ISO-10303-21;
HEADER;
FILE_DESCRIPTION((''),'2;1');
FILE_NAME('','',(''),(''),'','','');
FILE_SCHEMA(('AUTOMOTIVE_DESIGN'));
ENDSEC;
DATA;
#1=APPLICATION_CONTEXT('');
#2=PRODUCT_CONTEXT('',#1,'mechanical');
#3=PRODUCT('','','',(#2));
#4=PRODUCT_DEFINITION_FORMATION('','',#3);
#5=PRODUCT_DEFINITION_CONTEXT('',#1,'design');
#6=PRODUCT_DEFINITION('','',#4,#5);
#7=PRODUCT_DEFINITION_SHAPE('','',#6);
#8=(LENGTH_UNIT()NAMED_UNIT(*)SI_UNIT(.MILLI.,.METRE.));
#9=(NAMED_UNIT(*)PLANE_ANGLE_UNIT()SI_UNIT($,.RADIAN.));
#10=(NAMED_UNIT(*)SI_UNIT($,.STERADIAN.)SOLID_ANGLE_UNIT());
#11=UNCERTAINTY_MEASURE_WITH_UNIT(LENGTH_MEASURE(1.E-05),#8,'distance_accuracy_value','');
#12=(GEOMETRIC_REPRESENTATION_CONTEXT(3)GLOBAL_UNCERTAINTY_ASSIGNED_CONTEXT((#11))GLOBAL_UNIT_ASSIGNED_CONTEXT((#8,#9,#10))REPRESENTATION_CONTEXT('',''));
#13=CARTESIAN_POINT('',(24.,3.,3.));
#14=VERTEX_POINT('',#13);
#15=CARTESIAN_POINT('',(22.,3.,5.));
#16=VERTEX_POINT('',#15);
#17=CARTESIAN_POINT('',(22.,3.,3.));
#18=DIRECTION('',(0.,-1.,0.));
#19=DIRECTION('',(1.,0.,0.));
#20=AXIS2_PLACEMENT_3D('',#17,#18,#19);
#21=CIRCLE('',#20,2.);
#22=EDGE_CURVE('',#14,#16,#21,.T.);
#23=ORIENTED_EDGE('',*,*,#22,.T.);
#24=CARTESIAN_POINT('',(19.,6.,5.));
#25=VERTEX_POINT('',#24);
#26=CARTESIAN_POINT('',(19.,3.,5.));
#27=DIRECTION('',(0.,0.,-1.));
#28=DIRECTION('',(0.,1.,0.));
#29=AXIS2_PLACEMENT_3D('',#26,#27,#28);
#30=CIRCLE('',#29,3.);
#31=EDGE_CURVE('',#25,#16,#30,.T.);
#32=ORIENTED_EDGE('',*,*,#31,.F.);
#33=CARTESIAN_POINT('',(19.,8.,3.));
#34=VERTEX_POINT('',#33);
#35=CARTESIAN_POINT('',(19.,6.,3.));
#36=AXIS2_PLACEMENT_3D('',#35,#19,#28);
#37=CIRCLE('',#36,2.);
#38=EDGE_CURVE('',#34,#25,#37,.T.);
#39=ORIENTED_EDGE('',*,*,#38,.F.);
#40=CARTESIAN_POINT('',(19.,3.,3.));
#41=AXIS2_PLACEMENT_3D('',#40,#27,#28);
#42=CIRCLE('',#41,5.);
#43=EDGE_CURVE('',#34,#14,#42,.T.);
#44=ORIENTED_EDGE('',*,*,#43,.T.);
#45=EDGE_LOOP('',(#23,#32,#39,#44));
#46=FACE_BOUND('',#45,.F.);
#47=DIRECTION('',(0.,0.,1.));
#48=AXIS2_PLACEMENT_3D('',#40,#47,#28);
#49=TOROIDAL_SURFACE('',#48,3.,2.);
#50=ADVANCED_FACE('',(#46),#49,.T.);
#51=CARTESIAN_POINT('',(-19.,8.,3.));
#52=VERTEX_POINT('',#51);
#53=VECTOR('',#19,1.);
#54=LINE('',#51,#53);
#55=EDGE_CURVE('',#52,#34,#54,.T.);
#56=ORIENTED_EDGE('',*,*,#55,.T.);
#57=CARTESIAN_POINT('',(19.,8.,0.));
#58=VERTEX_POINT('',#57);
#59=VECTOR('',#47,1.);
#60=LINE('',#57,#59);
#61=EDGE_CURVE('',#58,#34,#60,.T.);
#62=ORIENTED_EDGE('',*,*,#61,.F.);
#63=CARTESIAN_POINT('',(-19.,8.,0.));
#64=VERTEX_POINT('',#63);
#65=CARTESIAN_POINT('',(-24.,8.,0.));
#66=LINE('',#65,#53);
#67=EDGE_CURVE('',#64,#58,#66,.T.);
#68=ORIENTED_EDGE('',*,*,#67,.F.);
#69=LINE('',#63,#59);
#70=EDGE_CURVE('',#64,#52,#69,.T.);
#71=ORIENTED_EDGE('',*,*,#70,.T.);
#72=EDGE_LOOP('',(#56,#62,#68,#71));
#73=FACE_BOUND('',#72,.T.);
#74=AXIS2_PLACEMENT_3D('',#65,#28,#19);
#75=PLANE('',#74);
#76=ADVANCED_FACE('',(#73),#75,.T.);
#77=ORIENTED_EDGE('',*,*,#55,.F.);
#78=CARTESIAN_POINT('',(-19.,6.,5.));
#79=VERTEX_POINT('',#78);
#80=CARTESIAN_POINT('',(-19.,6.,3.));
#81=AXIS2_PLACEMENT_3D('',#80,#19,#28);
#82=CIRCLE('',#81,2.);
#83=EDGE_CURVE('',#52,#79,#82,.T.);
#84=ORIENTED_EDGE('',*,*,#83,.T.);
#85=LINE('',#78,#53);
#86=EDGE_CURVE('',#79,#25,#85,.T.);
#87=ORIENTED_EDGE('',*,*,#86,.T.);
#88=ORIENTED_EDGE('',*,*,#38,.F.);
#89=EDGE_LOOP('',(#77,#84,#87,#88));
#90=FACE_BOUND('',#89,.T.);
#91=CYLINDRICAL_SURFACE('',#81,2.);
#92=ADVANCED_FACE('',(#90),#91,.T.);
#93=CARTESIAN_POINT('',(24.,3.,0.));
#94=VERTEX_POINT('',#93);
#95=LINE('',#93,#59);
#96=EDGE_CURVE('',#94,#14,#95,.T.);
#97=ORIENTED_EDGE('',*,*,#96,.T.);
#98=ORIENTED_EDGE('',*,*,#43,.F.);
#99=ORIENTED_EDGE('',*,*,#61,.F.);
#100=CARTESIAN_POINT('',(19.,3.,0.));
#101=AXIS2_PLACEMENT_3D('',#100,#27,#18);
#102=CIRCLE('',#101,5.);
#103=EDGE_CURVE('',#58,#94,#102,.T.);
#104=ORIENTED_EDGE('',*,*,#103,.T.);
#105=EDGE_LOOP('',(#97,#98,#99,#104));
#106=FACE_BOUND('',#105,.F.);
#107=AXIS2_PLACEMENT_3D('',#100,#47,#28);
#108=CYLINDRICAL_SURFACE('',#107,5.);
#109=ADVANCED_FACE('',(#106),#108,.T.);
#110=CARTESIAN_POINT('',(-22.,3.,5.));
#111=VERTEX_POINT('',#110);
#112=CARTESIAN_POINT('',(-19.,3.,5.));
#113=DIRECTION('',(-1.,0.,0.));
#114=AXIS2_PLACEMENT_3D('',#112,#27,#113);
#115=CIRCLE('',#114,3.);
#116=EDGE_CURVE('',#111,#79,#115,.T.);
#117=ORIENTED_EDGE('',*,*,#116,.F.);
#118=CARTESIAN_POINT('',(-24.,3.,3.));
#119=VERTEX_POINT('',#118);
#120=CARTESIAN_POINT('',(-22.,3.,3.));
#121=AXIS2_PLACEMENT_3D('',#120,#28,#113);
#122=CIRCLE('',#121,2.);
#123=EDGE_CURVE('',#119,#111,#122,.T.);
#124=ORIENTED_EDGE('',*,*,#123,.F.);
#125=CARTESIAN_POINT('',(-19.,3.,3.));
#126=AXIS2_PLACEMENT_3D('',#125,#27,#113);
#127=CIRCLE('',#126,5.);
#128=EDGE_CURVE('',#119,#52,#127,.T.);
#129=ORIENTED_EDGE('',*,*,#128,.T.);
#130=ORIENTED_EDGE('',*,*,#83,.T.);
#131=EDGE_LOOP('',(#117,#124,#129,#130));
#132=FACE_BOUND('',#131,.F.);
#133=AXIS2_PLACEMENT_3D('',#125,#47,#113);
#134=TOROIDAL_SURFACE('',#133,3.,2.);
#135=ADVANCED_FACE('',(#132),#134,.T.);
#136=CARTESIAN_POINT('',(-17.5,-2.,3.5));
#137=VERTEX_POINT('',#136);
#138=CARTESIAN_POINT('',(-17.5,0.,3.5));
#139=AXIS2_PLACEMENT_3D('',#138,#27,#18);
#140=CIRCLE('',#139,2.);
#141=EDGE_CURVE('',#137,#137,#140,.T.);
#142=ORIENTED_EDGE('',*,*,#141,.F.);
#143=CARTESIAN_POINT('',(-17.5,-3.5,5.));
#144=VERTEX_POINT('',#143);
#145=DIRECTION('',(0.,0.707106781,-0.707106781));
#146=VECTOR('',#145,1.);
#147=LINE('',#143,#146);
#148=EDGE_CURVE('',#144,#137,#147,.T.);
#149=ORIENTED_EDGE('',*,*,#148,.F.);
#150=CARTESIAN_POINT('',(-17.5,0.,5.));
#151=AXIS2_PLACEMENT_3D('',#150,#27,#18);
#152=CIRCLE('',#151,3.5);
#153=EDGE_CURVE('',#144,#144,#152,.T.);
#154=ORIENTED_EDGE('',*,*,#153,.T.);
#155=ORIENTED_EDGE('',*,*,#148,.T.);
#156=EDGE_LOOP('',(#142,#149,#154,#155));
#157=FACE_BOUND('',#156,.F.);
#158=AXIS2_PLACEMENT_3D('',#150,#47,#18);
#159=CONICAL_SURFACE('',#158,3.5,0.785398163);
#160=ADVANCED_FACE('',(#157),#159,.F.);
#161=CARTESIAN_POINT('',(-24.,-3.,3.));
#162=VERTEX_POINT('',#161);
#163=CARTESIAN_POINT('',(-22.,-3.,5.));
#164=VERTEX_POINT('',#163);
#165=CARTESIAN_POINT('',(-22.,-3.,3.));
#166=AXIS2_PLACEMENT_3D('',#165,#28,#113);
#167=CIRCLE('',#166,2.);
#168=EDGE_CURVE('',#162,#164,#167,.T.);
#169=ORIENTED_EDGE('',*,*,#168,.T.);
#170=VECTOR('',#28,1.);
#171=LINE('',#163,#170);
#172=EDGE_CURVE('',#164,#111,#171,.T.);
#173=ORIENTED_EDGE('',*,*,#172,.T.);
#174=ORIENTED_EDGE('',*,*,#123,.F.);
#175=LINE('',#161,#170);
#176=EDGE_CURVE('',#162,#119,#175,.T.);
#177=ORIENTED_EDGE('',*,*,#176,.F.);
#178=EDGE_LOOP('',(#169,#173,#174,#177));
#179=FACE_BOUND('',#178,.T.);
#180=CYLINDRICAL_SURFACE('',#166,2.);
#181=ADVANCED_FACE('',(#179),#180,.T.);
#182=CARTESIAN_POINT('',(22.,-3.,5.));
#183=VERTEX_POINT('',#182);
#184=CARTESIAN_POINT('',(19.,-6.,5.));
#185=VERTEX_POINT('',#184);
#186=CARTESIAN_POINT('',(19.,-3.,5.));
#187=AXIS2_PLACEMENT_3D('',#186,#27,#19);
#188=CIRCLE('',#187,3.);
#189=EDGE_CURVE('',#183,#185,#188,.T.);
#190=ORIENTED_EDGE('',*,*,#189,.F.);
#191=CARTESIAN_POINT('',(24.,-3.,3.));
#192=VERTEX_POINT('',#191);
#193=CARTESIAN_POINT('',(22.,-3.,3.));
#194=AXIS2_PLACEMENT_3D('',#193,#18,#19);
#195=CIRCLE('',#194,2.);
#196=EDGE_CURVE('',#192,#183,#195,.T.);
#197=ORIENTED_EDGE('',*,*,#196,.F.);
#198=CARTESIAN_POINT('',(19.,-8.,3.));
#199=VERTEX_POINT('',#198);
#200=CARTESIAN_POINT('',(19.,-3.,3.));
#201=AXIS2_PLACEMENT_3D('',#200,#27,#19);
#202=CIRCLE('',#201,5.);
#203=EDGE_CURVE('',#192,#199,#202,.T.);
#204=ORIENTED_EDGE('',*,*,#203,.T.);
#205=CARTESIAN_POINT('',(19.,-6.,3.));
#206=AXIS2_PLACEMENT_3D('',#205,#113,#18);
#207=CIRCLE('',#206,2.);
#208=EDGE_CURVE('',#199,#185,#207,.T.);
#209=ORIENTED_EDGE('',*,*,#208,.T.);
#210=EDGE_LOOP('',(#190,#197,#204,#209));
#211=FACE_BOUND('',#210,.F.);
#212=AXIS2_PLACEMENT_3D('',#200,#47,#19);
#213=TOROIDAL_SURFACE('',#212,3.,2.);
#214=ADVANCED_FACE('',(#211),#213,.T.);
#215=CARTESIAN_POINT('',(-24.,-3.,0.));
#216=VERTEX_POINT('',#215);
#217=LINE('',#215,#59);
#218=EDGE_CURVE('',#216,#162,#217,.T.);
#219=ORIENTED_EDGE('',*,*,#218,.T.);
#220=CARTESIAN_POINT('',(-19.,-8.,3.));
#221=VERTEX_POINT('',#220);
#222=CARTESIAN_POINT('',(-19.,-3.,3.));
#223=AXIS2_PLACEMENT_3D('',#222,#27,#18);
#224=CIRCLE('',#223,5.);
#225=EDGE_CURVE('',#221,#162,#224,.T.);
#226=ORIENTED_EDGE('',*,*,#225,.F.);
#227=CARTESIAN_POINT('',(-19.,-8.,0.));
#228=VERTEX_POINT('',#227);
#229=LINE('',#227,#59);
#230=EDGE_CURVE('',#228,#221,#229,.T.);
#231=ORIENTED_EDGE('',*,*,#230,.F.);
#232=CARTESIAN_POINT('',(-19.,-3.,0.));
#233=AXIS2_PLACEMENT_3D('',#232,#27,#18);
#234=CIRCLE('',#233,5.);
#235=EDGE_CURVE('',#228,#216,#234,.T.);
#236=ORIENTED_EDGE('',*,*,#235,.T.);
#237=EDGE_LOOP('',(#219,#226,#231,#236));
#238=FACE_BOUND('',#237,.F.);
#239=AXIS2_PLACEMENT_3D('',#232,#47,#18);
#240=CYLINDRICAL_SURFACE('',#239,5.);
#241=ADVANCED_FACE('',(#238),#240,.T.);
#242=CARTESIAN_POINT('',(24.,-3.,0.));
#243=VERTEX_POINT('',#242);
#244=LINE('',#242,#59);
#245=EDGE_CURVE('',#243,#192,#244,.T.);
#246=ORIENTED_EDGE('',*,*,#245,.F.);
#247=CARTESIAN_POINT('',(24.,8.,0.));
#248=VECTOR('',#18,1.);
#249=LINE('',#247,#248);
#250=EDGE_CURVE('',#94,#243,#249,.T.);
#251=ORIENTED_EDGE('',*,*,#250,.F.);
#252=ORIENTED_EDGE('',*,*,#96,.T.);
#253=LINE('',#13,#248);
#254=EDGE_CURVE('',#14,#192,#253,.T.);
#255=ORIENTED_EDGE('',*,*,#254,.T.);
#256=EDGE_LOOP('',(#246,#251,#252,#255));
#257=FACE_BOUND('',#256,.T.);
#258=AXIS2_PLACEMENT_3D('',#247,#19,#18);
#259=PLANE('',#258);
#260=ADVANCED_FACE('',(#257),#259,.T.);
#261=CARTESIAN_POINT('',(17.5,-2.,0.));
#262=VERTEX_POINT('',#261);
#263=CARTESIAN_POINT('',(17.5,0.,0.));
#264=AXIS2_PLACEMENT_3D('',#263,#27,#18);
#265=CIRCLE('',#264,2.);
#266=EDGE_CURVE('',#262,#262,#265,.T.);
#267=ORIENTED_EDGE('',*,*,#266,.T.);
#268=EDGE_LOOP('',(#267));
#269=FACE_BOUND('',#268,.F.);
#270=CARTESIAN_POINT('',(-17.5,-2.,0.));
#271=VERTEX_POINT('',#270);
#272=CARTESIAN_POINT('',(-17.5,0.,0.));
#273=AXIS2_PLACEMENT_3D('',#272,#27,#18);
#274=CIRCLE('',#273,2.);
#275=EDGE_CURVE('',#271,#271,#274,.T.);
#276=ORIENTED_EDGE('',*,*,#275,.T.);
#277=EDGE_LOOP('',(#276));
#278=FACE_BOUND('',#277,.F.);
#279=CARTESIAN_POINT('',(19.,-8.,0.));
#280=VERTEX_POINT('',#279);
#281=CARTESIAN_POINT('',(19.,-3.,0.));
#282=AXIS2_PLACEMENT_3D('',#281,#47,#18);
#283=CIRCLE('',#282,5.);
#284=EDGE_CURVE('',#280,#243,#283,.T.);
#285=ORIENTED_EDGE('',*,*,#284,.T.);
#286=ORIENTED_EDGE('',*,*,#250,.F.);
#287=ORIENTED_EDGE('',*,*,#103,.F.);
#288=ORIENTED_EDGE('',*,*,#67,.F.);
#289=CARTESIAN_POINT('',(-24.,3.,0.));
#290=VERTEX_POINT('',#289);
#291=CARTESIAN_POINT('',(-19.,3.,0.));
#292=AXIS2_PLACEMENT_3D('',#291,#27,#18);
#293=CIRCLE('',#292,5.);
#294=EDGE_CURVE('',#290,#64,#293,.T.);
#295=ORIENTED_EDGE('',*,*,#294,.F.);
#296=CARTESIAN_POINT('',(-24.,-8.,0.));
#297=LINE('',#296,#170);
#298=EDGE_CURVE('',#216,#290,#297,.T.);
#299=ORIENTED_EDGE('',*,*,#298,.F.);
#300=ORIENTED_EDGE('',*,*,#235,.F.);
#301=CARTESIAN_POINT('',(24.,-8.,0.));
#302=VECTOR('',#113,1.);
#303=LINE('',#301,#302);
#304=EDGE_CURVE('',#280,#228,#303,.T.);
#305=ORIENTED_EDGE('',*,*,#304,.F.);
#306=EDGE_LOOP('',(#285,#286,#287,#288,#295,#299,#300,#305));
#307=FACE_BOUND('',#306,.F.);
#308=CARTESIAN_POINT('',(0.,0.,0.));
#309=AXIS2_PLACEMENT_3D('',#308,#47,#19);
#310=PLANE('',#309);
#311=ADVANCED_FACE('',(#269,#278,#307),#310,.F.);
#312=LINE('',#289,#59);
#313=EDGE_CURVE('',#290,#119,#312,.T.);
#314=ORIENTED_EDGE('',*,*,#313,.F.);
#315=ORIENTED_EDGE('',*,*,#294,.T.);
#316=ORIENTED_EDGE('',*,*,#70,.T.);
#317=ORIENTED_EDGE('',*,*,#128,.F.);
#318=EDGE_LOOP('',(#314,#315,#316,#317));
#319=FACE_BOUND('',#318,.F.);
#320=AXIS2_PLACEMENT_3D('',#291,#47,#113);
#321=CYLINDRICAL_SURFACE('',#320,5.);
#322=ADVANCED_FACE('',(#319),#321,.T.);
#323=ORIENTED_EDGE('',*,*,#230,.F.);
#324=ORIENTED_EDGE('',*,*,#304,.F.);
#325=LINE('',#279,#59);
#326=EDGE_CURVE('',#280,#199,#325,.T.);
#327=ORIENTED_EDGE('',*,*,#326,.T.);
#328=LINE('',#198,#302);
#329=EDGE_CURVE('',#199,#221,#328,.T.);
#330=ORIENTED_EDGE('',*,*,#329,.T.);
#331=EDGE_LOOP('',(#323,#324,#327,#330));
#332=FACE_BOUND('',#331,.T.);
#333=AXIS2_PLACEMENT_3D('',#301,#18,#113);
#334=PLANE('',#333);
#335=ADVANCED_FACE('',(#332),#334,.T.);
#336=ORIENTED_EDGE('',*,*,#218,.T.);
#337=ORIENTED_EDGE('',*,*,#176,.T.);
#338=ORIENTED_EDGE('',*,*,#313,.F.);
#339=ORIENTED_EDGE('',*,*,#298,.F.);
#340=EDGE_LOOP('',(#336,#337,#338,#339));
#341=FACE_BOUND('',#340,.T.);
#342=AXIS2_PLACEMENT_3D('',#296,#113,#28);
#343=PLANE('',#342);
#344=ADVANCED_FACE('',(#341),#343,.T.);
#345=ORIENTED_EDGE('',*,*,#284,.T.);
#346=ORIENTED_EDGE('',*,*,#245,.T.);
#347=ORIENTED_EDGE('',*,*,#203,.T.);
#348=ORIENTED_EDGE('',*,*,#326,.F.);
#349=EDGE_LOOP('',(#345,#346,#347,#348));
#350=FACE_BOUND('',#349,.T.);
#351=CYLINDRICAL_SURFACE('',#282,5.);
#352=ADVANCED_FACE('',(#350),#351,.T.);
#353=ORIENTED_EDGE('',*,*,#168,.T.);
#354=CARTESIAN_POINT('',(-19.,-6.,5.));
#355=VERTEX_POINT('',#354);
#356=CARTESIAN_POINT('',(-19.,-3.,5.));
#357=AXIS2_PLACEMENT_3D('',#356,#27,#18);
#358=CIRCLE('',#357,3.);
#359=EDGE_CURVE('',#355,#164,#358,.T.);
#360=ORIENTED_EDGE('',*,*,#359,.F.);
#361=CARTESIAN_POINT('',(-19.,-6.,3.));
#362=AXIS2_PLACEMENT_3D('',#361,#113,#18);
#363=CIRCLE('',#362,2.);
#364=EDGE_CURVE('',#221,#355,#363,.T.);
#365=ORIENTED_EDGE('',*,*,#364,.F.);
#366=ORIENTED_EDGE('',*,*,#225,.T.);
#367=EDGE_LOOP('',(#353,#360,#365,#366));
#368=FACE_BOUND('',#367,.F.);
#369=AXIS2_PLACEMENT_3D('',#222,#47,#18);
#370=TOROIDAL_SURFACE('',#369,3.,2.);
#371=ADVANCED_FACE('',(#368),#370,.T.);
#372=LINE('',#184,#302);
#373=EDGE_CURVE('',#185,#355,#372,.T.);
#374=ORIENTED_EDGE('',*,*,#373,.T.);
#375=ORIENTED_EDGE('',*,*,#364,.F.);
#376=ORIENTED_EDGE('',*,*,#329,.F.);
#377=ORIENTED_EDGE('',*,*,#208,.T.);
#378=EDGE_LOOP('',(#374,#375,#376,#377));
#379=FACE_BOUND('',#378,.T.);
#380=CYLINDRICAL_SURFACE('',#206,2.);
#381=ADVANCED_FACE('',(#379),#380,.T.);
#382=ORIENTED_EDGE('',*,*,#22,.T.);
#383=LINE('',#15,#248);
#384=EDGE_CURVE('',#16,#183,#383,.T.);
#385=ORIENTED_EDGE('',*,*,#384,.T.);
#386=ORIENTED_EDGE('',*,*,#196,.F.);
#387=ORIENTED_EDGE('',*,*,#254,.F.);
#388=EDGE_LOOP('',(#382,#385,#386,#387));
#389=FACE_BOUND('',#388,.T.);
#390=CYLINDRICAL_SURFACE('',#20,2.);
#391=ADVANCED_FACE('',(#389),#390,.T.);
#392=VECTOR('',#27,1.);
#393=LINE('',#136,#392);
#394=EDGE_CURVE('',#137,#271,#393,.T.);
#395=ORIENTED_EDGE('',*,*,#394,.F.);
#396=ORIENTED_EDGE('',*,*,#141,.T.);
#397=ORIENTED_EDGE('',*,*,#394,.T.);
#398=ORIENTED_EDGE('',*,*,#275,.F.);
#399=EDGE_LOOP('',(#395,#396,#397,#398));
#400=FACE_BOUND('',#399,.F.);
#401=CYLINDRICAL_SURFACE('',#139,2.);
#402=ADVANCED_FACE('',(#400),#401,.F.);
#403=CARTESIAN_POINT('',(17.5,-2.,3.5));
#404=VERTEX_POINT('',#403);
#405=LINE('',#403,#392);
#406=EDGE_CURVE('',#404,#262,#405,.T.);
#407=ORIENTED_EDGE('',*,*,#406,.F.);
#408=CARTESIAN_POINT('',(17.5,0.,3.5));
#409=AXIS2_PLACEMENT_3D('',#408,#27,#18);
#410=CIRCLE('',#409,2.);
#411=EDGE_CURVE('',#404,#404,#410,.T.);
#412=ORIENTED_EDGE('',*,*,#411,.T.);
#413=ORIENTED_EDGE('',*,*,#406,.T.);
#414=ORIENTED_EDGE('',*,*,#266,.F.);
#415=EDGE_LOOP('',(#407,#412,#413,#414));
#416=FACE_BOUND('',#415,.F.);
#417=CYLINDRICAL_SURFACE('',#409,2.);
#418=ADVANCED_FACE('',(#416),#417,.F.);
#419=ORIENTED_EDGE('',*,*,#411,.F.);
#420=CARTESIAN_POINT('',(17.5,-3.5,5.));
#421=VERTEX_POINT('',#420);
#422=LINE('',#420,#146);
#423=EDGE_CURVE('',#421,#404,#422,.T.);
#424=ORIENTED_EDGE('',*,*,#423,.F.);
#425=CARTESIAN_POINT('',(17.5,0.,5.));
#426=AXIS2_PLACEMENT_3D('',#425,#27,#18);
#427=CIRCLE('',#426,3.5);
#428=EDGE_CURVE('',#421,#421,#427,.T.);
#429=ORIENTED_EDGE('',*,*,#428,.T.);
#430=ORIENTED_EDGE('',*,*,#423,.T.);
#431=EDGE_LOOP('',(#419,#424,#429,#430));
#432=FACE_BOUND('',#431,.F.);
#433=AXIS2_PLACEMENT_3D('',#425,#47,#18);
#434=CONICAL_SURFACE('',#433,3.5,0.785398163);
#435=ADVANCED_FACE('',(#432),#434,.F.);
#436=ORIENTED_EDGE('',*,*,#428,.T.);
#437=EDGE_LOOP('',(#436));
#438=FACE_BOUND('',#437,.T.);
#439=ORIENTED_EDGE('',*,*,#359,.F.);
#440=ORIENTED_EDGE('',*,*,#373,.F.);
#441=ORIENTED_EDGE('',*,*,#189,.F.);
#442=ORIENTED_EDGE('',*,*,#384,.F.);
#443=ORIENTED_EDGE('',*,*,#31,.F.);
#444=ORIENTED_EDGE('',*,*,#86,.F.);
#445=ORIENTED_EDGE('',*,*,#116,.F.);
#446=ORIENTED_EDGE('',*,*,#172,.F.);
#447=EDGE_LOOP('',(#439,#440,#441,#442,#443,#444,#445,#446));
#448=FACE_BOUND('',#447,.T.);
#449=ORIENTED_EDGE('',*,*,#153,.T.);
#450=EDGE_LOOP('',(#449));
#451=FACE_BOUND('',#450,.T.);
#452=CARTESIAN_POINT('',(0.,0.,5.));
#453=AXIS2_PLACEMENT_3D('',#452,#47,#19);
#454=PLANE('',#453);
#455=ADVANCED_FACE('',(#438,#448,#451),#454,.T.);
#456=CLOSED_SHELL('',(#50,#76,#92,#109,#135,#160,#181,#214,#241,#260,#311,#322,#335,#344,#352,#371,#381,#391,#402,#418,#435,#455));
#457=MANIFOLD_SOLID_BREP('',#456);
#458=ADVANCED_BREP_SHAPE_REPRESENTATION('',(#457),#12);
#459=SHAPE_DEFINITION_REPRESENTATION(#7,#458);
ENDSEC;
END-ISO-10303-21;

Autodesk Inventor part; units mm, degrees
ref_plane "YZ Plane" through (0, 0, 0) normal (1, 0, 0) x (0, 1, 0)
ref_plane "XZ Plane" through (0, 0, 0) normal (0, 1, 0) x (-1, 0, 0)
ref_plane "XY Plane" through (0, 0, 0) normal (0, 0, 1) x (1, 0, 0)
sketch "Sketch1" plane through (0, 0, 0) normal (0, 0, 1) x (1, 0, 0)
  line L0 (24, -8) -> (-24, -8)
  line L1 (-24, -8) -> (-24, 8)
  line L2 (-24, 8) -> (24, 8)
  line L3 (24, 8) -> (24, -8)
  point P0 (0, 0)
  point P1 (-24, 0)
  point P2 (0, 8)
  dimension "d0" = 48
  dimension "d1" = 16
extrude "Extrusion1" add sketch "Sketch1" along normal blind 5
fillet "Fillet1" radius 5 4 edges at (-24, -8, 2.5) (-24, 8, 2.5) (24, -8, 2.5) (24, 8, 2.5)
fillet "Fillet2" radius 2 8 edges at (0, -8, 5) (-22.5355, -6.5355, 5) (-24, 0, 5) (-22.5355, 6.5355, 5) (0, 8, 5) (22.5355, 6.5355, 5) (24, 0, 5) (22.5355, -6.5355, 5)
sketch "Sketch2" plane through (0, 0, 5) normal (0, 0, 1) x (1, 0, 0)
  line L0 (19, -6) -> (-19, -6) projected
  line L1 (22, 3) -> (22, -3) projected
  line L2 (-19, 6) -> (19, 6) projected
  line L3 (-22, -3) -> (-22, 3) projected
  line L4 (-22, 0) -> (22, 0) construction
  line L5 (0, 6) -> (0, -6) construction
  point P0 (0, 0)
  point P1 (-17.5, 0)
  point P2 (17.5, 0)
  dimension "d6" = 35
hole "Hole1" at (-17.5, 0, 5) at (17.5, 0, 5) direction (0, 0, -1) diameter 4 end through all countersink diameter 7 countersink angle 90
properties part number "Support 48x16" material "ABS Plastic"
